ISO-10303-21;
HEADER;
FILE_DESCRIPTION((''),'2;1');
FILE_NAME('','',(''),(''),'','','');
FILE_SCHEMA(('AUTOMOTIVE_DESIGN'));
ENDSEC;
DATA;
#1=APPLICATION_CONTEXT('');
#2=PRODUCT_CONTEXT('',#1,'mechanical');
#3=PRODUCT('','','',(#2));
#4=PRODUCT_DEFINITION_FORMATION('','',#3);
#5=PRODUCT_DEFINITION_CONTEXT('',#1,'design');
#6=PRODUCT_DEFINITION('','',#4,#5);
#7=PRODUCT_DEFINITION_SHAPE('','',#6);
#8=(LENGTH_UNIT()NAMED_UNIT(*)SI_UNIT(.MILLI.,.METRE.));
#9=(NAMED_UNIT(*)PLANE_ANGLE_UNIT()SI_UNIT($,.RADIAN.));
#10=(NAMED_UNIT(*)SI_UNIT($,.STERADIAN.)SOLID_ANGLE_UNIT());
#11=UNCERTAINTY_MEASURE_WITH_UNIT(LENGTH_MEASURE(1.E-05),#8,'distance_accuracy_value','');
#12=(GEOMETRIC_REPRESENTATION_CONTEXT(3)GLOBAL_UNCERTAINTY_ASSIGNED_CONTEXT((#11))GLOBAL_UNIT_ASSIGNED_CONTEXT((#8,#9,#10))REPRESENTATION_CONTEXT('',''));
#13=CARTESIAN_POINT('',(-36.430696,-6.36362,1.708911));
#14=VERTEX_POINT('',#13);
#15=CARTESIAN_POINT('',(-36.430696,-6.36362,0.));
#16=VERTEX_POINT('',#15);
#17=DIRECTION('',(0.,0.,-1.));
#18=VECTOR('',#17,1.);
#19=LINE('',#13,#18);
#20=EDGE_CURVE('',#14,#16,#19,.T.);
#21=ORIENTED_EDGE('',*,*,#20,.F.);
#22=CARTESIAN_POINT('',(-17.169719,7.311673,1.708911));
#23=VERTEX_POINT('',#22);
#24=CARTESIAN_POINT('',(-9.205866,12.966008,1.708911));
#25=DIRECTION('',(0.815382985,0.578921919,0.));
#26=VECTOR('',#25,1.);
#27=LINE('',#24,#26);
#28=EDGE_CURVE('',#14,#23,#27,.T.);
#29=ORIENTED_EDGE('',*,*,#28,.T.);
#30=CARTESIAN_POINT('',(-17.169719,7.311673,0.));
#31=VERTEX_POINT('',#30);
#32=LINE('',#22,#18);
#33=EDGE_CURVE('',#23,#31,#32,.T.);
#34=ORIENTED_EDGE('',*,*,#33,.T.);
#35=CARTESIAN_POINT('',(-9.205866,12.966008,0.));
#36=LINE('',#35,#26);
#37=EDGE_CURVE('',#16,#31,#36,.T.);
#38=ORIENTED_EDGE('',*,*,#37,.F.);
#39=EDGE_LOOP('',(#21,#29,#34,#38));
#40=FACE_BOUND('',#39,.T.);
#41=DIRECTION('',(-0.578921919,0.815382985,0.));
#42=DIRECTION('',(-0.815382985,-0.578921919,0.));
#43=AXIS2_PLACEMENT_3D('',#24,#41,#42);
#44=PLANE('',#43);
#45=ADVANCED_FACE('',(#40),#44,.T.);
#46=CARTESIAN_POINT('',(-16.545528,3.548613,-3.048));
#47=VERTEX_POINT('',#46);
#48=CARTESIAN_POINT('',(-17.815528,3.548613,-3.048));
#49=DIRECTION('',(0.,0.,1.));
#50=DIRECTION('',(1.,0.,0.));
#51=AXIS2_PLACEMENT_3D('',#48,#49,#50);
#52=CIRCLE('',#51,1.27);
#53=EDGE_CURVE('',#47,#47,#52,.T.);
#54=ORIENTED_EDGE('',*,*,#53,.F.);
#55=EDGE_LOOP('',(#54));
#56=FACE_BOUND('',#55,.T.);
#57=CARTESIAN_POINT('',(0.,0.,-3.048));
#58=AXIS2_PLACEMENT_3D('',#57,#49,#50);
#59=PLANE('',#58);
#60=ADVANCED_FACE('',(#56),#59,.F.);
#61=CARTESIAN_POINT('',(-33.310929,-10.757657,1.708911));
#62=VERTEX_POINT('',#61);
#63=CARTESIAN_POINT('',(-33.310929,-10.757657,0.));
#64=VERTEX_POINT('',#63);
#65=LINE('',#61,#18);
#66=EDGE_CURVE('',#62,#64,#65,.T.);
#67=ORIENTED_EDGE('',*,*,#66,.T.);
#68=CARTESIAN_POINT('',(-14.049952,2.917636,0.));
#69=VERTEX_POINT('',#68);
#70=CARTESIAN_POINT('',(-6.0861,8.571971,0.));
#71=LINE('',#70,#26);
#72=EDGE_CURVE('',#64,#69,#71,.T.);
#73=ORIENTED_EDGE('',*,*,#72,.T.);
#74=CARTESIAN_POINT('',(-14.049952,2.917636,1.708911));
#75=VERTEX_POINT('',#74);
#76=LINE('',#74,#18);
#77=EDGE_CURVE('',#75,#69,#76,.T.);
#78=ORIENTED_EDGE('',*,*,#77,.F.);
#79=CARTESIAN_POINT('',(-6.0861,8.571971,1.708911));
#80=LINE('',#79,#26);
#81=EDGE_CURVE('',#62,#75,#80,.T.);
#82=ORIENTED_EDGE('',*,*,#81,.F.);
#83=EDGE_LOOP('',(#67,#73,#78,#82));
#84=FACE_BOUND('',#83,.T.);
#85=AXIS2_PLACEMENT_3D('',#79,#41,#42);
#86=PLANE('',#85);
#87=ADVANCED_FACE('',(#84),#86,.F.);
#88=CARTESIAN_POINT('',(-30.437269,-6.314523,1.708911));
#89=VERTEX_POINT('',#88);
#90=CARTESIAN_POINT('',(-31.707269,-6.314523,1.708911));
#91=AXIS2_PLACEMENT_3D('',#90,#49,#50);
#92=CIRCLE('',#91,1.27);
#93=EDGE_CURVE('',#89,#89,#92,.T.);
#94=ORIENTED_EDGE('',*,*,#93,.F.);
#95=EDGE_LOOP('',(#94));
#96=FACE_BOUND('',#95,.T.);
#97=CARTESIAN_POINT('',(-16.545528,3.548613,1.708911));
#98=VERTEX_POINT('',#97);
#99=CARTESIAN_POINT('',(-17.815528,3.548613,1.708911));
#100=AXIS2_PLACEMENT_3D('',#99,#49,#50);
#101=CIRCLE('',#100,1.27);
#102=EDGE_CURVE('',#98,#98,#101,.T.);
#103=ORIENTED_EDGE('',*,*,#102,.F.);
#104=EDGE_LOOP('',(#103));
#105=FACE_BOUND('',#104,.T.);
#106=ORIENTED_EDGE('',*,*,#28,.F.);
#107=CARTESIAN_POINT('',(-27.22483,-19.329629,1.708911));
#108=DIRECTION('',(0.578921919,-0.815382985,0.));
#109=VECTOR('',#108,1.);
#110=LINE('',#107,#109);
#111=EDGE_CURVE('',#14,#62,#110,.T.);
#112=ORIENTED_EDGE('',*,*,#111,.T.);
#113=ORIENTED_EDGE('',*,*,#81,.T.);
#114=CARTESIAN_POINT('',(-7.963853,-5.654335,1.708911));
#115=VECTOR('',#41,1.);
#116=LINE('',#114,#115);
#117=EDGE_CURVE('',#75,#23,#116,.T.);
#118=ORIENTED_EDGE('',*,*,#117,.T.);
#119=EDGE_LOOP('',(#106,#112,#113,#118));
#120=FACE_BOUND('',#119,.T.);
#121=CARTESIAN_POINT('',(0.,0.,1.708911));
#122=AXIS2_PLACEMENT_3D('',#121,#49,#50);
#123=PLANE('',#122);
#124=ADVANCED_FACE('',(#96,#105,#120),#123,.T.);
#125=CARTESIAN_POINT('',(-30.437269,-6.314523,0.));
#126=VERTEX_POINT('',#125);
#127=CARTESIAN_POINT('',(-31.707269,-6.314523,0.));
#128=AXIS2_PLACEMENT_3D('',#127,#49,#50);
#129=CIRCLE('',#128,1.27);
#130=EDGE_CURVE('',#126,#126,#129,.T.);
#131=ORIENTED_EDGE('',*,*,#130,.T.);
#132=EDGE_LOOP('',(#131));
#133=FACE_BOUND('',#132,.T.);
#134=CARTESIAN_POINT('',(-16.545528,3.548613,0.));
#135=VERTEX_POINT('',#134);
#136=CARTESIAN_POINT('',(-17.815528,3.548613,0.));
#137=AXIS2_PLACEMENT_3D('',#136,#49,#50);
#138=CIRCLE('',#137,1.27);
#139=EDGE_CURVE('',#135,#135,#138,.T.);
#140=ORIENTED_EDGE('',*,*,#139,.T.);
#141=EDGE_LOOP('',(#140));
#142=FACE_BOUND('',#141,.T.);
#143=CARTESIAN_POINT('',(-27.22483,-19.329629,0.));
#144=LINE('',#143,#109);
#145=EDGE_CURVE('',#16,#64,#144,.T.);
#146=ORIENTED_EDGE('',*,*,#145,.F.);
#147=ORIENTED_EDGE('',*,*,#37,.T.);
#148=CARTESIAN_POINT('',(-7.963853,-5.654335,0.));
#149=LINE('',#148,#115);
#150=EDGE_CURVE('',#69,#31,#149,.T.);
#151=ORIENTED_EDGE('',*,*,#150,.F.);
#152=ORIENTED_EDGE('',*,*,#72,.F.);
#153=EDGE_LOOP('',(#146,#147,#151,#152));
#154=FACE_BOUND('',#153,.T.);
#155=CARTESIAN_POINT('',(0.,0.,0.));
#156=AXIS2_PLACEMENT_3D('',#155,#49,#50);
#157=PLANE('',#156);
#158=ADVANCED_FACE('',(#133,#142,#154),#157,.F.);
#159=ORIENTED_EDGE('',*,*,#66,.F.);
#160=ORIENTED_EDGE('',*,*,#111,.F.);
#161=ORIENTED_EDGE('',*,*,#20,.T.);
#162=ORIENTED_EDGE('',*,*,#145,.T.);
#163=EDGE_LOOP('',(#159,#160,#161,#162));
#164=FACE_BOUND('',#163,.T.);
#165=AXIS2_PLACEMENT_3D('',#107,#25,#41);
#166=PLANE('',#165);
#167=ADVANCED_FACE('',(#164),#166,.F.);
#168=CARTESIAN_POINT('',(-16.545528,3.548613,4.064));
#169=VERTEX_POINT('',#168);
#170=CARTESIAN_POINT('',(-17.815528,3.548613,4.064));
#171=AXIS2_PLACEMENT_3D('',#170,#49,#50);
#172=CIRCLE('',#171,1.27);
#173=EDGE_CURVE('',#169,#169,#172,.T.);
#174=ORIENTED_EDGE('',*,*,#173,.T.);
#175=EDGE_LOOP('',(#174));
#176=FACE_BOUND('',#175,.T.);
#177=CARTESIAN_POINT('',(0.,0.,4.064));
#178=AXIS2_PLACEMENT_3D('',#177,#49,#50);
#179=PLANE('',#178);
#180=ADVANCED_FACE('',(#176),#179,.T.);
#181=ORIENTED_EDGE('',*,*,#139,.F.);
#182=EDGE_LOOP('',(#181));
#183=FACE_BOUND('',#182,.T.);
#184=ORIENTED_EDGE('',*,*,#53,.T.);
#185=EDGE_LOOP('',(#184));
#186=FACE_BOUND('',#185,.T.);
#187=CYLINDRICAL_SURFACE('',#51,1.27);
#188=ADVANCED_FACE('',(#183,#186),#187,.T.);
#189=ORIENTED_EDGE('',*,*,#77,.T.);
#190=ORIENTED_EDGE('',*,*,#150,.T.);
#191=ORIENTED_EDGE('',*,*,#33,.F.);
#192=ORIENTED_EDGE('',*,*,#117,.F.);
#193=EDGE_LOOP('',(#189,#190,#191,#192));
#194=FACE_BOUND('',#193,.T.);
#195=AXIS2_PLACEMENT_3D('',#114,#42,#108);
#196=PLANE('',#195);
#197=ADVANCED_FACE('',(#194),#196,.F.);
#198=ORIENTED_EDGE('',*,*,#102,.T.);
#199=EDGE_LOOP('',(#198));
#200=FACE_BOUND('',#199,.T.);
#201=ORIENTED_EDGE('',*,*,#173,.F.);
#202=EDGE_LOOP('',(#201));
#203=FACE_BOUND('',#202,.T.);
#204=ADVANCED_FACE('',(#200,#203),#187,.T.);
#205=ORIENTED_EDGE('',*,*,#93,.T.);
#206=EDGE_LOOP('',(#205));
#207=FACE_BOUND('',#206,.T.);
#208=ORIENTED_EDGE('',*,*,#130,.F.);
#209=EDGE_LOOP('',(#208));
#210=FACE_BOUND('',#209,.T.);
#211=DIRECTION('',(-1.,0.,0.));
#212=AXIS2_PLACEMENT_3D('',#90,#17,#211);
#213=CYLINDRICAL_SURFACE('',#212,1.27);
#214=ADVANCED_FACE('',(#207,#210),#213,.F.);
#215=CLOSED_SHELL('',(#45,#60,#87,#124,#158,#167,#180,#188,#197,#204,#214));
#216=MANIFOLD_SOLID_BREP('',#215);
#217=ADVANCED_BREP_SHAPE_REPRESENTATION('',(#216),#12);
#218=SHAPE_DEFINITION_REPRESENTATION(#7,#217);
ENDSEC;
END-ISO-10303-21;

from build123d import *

# Parameters (mm, degrees)
SKETCH1_R                = 1.27
BOSS_EXTRUDE6_DEPTH      = 1.70891122
BOSS_EXTRUDE7_DEPTH      = 4.064
BOSS_EXTRUDE7_DEPTH_BACK = 3.048
SKETCH1_8_R              = 1.27


with BuildPart() as part:
    # Sketch1 → Boss-Extrude6 (new body)
    with BuildSketch(Plane.XY):
        Polygon((-36.430695542, -6.363620451), (-33.310929263, -10.757657465), (-14.0499524, 2.917636108), (-17.16971868, 7.311673121), align=None)
        with Locations((-31.707269185, -6.314523273)):
            Circle(SKETCH1_R, mode=Mode.SUBTRACT)
    extrude(amount=BOSS_EXTRUDE6_DEPTH)

    # Sketch1<8> → Boss-Extrude7 (add, two sides: drawn at the far end of the back side and taken through both)
    with BuildSketch(Plane.XY.offset(-BOSS_EXTRUDE7_DEPTH_BACK)):
        with Locations((-17.815528052, 3.548612931)):
            Circle(SKETCH1_8_R)
    extrude(amount=BOSS_EXTRUDE7_DEPTH + BOSS_EXTRUDE7_DEPTH_BACK)


solid = part.part
